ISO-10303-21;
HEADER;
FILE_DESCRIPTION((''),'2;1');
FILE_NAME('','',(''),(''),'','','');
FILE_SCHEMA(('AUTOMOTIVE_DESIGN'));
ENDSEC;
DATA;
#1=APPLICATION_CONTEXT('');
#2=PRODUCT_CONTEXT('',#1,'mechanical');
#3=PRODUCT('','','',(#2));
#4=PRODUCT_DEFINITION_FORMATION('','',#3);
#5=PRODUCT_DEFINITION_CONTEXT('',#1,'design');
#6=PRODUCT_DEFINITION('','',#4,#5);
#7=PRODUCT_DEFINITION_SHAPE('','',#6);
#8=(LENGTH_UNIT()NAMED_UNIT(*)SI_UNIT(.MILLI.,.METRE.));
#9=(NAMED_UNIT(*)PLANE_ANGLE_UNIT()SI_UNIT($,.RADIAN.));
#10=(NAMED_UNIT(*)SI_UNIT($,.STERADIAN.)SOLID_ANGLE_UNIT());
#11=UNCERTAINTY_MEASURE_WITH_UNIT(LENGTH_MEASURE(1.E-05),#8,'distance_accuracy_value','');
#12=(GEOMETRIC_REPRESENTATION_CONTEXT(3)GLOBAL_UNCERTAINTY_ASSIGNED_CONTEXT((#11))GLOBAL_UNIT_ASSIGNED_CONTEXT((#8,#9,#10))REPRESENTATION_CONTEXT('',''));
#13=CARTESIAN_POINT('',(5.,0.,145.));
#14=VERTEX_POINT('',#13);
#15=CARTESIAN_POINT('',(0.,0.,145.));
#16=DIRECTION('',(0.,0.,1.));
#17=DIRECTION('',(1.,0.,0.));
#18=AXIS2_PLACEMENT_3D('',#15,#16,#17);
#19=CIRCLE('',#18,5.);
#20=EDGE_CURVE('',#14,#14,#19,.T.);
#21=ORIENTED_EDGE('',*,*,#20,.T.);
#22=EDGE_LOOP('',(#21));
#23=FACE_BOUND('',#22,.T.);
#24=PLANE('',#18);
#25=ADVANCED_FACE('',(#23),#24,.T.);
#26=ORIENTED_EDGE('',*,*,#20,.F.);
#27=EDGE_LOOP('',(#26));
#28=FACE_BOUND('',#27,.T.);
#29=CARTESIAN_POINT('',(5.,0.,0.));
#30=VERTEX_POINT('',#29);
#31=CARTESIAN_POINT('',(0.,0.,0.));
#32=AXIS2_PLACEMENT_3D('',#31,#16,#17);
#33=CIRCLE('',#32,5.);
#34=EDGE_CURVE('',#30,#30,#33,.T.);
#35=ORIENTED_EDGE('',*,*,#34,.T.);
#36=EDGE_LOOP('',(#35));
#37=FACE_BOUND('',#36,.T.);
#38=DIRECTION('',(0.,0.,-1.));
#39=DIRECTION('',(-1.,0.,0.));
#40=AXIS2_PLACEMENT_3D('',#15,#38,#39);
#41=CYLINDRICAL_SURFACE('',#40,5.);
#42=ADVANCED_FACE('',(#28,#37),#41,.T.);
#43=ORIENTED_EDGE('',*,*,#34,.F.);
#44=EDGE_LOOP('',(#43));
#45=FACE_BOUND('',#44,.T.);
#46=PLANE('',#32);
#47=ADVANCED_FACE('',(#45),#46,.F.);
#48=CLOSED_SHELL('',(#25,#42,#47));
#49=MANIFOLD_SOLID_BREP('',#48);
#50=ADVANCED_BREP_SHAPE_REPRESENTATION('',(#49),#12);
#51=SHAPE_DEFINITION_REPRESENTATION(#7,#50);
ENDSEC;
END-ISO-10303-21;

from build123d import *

# Parameters (mm, degrees)
SKETCH_1_R      = 5
EXTRUDE_1_DEPTH = 145


with BuildPart() as part:
    # ｽｹｯﾁ1 → ﾎﾞｽ - 押し出し1 (new body)
    with BuildSketch(Plane.XY):
        Circle(SKETCH_1_R)
    extrude(amount=EXTRUDE_1_DEPTH)


solid = part.part
